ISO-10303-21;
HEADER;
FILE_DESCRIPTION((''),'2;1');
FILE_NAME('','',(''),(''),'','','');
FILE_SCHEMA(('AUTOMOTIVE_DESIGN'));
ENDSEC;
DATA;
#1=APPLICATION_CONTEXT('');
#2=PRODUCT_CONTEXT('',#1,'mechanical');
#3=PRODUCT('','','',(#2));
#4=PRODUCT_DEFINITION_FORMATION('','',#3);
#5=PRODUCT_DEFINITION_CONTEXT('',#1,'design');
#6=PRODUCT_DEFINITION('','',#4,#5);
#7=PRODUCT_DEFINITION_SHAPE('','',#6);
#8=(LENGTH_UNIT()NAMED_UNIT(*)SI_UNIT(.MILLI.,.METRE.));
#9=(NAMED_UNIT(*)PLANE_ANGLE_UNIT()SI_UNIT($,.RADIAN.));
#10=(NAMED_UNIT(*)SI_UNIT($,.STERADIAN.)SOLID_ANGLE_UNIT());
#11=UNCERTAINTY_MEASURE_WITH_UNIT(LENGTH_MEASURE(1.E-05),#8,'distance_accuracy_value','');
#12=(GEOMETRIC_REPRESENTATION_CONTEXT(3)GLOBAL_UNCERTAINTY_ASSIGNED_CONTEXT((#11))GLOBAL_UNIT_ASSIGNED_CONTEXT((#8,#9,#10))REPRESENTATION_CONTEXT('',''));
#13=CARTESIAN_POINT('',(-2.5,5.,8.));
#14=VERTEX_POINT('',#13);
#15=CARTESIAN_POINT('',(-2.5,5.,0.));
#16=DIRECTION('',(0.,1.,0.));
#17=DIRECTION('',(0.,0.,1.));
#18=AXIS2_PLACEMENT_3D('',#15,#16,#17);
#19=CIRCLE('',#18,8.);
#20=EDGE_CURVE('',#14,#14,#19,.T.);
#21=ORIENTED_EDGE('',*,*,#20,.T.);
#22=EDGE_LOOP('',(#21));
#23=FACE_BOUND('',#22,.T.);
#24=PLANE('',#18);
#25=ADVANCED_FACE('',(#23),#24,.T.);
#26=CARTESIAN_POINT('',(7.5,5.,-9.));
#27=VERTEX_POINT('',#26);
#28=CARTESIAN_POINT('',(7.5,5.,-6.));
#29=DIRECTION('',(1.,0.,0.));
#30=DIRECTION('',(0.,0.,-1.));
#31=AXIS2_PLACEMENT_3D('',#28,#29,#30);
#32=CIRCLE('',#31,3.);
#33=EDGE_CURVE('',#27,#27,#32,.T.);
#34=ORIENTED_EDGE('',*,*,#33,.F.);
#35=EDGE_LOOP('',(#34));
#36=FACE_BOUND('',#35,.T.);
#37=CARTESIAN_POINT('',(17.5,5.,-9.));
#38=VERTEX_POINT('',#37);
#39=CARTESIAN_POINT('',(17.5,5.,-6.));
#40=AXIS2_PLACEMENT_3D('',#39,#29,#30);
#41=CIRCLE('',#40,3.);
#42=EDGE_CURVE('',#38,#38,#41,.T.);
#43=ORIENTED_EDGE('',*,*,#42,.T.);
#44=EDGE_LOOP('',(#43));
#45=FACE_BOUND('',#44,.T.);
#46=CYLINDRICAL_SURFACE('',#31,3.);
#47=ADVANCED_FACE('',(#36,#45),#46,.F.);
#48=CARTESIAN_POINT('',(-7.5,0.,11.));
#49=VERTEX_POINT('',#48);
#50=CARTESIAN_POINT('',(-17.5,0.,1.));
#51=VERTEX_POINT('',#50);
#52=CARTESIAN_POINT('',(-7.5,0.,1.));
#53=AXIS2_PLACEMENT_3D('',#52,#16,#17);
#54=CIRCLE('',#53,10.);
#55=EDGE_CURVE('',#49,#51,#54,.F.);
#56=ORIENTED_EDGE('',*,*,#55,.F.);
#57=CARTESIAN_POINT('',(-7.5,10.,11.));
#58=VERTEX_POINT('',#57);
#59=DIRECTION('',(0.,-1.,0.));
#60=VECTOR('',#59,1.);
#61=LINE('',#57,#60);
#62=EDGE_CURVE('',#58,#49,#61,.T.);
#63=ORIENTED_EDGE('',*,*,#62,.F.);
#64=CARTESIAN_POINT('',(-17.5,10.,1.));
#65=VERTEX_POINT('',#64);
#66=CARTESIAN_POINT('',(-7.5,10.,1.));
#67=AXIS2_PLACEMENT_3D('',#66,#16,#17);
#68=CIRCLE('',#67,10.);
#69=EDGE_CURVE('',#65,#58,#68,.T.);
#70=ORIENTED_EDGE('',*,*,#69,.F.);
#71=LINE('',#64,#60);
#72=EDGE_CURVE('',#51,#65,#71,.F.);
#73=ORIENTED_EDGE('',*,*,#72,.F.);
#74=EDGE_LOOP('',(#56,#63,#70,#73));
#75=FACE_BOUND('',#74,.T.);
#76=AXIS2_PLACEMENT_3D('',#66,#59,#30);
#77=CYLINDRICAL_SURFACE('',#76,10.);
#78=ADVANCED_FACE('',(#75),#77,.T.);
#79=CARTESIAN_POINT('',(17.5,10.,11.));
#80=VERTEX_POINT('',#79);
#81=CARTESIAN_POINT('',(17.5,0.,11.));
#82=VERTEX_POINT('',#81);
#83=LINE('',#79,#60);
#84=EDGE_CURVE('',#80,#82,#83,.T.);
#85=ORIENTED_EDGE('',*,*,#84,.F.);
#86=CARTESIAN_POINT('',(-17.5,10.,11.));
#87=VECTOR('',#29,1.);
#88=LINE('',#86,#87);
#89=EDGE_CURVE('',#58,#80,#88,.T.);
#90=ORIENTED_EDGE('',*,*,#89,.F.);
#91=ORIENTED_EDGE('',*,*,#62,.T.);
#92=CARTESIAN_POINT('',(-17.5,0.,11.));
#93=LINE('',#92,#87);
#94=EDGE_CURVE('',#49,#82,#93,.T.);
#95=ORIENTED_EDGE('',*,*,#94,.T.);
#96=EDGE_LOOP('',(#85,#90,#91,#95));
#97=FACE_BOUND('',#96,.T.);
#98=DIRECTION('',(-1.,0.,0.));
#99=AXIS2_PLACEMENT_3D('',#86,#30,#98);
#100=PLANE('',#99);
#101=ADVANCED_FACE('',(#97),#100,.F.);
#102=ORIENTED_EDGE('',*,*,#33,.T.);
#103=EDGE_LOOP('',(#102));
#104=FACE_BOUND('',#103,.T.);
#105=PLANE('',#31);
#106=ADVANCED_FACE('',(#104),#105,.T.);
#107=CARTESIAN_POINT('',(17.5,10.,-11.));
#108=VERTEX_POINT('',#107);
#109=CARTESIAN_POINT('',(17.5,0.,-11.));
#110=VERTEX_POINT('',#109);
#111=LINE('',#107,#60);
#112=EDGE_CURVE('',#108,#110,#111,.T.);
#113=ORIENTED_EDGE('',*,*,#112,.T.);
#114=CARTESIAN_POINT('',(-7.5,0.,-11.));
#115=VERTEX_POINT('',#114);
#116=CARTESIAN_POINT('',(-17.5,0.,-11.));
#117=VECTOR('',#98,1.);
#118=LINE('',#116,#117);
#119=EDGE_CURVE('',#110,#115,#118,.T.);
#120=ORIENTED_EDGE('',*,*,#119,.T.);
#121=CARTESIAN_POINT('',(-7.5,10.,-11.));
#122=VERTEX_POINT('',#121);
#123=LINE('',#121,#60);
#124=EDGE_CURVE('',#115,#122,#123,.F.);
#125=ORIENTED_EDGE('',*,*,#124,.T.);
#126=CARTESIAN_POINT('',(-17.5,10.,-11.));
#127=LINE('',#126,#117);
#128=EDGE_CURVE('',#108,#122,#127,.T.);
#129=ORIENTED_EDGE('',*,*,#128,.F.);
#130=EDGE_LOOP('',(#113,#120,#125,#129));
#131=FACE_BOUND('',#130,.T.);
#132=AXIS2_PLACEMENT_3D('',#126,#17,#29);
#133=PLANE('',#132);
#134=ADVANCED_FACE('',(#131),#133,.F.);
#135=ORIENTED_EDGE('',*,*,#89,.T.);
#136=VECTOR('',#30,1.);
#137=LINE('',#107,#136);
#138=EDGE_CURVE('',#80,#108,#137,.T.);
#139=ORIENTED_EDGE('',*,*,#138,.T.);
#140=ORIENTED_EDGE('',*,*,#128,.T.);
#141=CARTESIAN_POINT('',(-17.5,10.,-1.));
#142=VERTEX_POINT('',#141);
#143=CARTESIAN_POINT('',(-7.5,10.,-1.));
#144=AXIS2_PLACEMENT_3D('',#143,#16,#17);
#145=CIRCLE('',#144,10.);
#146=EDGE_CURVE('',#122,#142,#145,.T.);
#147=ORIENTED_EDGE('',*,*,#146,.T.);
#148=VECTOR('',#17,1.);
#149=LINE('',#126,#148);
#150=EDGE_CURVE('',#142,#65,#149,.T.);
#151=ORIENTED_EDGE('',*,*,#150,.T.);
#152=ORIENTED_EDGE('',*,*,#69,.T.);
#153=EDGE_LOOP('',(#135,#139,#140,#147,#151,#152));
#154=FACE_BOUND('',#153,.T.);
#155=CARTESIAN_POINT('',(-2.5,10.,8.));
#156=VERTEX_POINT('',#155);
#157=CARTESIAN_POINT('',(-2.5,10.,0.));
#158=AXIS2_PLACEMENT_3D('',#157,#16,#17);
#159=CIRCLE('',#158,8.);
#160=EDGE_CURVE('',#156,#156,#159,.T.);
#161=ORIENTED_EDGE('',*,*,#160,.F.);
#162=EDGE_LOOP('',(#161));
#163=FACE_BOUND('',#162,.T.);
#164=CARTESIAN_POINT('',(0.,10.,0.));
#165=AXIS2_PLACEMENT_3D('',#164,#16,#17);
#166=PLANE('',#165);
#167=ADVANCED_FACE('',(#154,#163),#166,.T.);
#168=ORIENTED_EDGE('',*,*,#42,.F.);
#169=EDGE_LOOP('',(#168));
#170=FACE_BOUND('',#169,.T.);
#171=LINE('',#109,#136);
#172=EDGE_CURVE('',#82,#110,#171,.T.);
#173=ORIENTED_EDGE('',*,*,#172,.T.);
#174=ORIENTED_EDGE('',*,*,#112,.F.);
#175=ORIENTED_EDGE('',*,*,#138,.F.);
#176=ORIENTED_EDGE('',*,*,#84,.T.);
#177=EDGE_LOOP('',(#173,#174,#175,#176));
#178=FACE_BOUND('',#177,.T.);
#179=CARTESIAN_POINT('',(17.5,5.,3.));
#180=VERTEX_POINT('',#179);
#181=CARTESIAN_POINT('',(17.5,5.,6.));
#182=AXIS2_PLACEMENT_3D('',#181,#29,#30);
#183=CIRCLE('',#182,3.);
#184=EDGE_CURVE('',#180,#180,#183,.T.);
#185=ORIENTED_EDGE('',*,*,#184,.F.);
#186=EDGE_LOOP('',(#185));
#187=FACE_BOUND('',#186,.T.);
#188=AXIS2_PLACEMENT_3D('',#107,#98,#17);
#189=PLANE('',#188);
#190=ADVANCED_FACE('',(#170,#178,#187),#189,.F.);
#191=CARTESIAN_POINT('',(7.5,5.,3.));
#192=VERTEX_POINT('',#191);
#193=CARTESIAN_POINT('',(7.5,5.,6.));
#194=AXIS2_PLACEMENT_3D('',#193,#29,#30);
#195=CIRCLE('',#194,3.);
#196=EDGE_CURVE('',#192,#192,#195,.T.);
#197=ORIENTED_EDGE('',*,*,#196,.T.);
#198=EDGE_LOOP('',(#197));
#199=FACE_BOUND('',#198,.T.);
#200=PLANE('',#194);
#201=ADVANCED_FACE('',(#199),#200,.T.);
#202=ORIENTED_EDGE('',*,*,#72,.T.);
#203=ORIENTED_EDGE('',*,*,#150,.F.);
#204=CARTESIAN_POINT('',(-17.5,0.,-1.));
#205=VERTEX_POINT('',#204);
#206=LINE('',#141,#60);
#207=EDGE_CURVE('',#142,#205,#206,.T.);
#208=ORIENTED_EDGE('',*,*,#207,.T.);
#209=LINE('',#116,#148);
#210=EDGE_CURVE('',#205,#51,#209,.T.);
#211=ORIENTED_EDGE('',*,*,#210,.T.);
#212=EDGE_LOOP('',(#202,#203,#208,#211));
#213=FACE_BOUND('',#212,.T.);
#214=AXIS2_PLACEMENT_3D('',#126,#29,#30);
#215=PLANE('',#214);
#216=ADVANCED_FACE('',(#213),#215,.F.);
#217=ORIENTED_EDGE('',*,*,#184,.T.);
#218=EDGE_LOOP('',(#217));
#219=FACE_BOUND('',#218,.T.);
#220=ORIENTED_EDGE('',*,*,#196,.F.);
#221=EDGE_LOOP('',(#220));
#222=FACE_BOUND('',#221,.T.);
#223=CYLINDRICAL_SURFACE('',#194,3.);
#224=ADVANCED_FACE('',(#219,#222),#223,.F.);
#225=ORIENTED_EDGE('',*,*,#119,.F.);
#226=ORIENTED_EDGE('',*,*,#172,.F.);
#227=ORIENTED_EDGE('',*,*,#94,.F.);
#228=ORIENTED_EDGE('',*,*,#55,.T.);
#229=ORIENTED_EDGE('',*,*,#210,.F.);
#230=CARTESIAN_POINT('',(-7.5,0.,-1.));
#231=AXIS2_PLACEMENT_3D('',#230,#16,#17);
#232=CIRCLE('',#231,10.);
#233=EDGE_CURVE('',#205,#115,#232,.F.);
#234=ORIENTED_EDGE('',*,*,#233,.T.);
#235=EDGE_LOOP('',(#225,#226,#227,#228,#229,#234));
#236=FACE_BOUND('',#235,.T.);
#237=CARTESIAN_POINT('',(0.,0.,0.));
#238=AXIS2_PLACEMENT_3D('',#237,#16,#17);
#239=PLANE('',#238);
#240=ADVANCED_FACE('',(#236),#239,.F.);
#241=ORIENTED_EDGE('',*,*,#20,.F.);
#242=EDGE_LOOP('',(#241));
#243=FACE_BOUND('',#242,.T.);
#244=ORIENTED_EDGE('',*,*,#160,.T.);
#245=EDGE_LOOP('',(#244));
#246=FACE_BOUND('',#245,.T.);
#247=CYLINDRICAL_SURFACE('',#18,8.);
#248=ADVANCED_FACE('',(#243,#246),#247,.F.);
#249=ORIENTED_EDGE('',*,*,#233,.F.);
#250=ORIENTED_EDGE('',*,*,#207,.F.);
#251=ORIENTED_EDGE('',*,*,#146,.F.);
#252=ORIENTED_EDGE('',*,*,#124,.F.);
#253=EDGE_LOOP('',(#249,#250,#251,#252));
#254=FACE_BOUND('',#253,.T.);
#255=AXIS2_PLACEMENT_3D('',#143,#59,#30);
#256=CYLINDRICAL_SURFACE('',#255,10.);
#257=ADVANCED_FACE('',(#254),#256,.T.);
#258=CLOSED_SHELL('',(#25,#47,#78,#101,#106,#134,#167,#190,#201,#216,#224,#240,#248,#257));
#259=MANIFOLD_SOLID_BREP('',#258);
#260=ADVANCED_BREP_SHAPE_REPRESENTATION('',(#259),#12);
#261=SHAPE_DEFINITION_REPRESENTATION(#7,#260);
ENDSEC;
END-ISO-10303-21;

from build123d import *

# Parameters (mm, degrees)
SKETCH1_W           = 35
SKETCH1_H           = 22
BOSS_EXTRUDE1_DEPTH = 10
SKETCH2_R           = 3
CUT_EXTRUDE1_DEPTH  = 10
SKETCH3_R           = 8
CUT_EXTRUDE2_DEPTH  = 5
FILLET1_R           = 10


with BuildPart() as part:
    # Sketch1 → Boss-Extrude1 (new body)
    with BuildSketch(Plane(origin=(0, 0, 0), x_dir=(1, 0, 0), z_dir=(0, 1, 0))):
        Rectangle(SKETCH1_W, SKETCH1_H)
    extrude(amount=BOSS_EXTRUDE1_DEPTH)

    # Sketch2 → Cut-Extrude1 (cut)
    with BuildSketch(Plane(origin=(17.5, 0, 0), x_dir=(0, 0, -1), z_dir=(1, 0, 0))):
        with Locations((6, 5)):
            Circle(SKETCH2_R)
        with Locations((-6, 5)):
            Circle(SKETCH2_R)
    extrude(amount=-CUT_EXTRUDE1_DEPTH, mode=Mode.SUBTRACT)

    # Sketch3 → Cut-Extrude2 (cut)
    with BuildSketch(Plane(origin=(0, 10, 0), x_dir=(1, 0, 0), z_dir=(0, 1, 0))):
        with Locations(Location((-2.5, 0, 0), (0, 0, 270))):
            Circle(SKETCH3_R)
    extrude(amount=-CUT_EXTRUDE2_DEPTH, mode=Mode.SUBTRACT)

    # Fillet1
    fillet1_edges = [part.edges().sort_by_distance(p)[0] for p in [
        (-17.5, 5, 11),
        (-17.5, 5, -11),
    ]]
    fillet(fillet1_edges, radius=FILLET1_R)


solid = part.part
